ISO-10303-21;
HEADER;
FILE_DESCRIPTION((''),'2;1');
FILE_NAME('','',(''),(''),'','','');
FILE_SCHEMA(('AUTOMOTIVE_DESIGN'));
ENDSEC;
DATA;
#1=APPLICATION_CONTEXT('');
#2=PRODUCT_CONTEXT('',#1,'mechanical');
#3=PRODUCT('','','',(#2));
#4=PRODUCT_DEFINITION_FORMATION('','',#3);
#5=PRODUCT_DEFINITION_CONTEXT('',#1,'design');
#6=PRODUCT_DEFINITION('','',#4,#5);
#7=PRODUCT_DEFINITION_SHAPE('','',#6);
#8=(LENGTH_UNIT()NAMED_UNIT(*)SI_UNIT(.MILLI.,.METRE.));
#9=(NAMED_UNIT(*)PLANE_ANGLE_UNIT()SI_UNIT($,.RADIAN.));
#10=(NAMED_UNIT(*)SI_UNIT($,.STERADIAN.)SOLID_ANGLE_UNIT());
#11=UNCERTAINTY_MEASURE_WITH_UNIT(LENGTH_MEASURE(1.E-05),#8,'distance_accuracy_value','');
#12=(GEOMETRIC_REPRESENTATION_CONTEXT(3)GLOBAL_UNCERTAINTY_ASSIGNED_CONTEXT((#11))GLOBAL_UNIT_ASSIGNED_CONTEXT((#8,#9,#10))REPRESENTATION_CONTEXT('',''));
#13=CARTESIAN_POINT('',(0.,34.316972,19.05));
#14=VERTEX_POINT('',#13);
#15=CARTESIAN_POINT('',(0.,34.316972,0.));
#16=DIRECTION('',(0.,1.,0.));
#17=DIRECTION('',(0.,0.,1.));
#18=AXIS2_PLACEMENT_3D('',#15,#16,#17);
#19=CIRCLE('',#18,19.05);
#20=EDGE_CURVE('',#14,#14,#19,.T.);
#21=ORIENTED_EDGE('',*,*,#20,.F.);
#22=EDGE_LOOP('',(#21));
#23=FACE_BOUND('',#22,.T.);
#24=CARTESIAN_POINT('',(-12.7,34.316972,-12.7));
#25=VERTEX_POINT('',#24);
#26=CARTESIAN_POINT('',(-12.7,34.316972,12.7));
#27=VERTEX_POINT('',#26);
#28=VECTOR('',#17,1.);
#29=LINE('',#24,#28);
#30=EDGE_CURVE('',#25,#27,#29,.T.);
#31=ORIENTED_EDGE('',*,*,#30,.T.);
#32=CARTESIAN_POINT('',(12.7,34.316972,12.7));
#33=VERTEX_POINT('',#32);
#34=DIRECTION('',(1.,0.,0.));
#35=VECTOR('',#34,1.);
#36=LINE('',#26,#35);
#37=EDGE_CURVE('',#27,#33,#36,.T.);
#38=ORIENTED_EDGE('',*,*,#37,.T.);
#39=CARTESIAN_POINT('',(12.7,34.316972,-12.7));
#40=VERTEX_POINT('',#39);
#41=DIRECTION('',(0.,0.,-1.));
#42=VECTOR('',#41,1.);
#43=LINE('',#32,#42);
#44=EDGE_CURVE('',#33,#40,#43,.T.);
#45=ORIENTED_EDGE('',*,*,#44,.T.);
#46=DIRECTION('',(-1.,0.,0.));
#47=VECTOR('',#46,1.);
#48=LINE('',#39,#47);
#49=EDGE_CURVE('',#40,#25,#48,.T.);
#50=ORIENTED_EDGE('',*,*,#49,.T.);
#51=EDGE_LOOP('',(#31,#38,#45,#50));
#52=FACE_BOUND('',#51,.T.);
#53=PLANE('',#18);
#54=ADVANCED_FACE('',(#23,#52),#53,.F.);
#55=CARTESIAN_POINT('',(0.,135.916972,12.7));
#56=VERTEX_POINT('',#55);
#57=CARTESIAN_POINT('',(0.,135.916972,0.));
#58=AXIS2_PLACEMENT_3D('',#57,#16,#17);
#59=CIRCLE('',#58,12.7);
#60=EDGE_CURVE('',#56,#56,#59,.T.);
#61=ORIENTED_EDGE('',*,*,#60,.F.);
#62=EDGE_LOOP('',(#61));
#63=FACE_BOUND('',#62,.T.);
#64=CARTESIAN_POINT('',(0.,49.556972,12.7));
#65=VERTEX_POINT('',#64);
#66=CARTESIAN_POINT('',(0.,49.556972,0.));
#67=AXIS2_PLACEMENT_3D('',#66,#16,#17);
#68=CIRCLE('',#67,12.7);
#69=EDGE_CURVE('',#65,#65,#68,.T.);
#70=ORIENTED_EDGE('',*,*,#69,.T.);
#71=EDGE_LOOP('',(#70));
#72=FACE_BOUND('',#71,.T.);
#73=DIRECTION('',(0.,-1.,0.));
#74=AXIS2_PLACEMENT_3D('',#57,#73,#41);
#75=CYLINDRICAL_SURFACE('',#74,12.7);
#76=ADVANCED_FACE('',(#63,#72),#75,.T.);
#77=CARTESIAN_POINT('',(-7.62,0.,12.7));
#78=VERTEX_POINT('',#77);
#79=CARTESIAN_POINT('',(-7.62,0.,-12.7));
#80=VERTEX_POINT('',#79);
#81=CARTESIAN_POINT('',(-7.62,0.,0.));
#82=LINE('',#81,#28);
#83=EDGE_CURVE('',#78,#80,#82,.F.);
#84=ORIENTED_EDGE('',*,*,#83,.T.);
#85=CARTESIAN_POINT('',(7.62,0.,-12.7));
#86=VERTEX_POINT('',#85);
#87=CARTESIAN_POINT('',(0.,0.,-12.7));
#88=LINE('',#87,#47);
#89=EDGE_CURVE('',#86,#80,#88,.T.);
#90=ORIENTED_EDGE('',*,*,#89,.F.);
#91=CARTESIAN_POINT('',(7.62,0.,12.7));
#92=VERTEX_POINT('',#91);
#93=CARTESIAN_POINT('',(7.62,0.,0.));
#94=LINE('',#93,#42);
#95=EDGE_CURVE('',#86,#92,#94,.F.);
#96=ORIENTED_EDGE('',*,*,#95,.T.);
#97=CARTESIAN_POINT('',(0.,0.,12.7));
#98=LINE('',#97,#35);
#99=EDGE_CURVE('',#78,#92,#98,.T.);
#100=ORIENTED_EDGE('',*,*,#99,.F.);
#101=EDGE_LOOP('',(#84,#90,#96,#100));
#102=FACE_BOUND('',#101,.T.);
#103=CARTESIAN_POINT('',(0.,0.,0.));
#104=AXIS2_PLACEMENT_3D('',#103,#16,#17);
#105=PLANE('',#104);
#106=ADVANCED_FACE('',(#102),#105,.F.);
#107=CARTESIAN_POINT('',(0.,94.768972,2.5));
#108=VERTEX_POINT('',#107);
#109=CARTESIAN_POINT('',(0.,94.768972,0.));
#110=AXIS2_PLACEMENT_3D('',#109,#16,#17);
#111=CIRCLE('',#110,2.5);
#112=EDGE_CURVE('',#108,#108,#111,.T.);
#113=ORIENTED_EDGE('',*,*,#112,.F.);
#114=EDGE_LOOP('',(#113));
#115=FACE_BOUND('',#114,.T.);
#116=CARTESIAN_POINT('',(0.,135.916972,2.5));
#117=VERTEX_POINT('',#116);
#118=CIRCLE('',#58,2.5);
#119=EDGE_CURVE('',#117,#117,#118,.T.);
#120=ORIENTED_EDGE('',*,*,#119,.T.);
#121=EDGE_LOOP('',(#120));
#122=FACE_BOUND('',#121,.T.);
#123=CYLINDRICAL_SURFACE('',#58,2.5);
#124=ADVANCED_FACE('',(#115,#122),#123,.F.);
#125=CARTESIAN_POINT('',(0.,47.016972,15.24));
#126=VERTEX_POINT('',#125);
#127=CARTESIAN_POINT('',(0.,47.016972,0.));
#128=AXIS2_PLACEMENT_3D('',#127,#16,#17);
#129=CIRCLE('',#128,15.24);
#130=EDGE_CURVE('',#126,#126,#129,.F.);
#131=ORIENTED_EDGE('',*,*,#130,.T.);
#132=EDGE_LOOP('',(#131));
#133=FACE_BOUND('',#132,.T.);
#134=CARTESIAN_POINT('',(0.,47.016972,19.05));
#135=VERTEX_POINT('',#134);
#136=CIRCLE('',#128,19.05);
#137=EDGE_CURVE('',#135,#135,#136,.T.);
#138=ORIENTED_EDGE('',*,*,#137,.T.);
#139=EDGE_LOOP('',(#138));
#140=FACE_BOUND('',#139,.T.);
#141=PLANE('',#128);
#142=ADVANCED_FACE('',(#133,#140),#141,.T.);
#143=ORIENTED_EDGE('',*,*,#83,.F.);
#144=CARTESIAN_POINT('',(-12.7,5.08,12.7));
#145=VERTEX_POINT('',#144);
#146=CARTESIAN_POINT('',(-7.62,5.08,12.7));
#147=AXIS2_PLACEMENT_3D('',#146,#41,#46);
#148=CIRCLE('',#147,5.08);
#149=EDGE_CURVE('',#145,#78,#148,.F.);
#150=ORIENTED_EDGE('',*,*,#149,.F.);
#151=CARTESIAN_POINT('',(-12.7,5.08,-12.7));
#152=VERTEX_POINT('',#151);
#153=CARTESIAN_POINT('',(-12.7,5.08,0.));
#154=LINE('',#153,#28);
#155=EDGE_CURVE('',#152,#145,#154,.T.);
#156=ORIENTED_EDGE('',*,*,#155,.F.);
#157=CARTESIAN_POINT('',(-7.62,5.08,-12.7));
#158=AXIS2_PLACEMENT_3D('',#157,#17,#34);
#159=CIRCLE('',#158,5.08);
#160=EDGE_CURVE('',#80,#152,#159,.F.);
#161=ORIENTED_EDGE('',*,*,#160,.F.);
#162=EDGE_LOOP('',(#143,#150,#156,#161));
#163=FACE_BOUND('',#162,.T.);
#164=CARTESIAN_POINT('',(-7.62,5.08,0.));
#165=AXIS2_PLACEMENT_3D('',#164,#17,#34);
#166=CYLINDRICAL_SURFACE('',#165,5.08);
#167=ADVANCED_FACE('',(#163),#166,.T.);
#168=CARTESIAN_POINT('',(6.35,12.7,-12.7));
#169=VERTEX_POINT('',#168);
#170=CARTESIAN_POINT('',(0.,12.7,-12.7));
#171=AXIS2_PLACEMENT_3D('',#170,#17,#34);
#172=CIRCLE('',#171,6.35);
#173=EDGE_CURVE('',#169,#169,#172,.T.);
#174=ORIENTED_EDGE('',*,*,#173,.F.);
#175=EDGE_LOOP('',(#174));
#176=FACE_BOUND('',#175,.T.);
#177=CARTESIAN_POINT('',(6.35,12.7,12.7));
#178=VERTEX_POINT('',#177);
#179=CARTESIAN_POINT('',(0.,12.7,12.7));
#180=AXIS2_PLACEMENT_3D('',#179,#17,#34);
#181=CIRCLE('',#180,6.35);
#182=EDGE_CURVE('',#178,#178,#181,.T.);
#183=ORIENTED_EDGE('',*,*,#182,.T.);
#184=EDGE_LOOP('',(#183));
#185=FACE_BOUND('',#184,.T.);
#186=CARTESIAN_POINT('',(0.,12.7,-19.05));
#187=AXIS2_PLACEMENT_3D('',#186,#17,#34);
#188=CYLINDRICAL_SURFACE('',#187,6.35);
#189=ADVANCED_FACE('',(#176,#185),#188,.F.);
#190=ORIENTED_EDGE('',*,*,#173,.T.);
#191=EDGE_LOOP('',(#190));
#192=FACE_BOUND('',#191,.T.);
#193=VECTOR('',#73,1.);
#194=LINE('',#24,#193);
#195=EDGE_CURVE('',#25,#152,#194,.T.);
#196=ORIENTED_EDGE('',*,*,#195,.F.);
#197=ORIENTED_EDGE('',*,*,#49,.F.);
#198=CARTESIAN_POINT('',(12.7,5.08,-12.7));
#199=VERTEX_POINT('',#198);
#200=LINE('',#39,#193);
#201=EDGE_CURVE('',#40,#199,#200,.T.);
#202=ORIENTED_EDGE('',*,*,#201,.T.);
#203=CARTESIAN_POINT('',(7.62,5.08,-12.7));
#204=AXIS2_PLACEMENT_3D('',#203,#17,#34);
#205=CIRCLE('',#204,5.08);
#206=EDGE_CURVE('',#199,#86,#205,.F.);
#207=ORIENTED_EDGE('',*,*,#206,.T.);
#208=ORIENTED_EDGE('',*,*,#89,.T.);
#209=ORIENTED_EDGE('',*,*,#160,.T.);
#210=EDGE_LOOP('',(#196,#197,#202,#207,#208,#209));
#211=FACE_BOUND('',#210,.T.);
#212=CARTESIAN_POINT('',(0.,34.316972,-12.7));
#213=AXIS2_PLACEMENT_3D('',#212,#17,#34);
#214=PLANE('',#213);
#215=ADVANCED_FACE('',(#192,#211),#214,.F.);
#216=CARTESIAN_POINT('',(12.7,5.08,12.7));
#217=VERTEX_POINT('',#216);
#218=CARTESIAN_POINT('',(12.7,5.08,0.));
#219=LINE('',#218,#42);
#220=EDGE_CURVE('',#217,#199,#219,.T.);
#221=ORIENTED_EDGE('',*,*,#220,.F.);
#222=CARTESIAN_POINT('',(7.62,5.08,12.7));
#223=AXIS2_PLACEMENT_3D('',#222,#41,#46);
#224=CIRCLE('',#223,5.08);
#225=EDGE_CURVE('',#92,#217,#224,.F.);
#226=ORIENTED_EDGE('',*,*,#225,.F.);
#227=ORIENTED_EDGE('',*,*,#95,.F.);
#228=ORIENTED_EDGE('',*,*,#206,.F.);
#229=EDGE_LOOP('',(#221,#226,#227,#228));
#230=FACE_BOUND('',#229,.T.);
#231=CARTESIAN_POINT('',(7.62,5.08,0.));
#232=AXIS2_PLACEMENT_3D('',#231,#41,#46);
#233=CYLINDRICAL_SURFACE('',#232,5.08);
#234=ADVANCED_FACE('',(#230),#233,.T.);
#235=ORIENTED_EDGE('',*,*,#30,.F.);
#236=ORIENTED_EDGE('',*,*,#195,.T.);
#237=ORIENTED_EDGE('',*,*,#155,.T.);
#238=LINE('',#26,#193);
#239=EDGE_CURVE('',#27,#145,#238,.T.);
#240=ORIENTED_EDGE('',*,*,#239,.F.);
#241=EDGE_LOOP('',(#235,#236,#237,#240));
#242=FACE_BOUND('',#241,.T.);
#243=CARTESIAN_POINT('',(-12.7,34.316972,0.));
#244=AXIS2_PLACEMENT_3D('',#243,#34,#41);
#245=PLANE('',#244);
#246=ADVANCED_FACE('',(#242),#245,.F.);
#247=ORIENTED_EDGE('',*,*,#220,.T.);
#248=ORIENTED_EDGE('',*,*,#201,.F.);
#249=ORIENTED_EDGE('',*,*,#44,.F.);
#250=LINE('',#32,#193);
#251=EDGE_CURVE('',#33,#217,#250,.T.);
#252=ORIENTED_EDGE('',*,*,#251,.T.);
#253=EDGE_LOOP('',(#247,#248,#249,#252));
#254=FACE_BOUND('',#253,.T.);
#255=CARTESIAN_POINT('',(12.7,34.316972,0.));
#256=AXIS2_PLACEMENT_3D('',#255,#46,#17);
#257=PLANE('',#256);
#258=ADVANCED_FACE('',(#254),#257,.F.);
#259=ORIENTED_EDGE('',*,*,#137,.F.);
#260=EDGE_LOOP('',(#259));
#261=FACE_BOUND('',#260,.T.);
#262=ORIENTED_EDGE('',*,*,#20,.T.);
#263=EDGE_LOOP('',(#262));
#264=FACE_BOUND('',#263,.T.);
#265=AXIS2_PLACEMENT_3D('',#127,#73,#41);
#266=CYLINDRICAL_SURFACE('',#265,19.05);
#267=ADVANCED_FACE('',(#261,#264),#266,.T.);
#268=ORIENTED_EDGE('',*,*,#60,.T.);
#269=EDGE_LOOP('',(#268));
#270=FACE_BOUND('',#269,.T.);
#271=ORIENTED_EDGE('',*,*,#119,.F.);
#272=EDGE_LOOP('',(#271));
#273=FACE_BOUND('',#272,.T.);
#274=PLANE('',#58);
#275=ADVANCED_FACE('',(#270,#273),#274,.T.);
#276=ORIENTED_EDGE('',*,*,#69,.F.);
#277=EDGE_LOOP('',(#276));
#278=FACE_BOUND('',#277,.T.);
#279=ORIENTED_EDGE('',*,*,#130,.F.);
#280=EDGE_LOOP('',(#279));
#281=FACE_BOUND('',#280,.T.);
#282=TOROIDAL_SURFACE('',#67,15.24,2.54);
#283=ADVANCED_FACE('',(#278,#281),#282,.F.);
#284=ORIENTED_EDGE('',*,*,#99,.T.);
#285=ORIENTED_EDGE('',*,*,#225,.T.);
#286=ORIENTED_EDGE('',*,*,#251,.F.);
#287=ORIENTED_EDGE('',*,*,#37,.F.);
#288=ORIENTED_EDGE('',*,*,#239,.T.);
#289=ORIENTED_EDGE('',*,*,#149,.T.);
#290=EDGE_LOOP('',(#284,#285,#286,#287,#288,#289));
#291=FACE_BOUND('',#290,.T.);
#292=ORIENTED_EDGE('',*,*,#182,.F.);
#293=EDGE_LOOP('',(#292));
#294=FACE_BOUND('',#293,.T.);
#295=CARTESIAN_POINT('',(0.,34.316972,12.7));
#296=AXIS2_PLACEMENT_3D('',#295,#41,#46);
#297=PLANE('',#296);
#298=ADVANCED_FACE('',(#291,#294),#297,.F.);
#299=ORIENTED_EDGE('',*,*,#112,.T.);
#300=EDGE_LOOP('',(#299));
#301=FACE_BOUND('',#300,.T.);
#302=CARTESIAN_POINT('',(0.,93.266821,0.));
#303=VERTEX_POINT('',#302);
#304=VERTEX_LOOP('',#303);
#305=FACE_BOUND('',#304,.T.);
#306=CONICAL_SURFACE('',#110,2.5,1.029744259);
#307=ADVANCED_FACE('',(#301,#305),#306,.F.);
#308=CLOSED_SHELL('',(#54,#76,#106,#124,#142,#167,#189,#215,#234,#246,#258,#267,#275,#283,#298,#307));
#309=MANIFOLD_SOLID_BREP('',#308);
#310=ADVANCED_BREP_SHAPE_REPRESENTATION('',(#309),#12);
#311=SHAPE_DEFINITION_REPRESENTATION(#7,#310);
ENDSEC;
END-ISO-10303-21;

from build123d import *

# Parameters (mm, degrees)
BOSS_EXTRUDE1_DEPTH       = 34.31697226
SKETCH4_R                 = 19.05
BOSS_EXTRUDE2_DEPTH       = 12.7
SKETCH6_R                 = 12.7
BOSS_EXTRUDE3_DEPTH       = 88.9
SKETCH7_R                 = 6.35
CUT_EXTRUDE1_DEPTH        = 141.870111622
FILLET1_R                 = 5.08
FILLET2_R                 = 2.54
M6X1_0_TAPPED_HOLE1_D     = 5
M6X1_0_TAPPED_HOLE1_DEPTH = 41.148
M6X1_0_TAPPED_HOLE1_TIP   = 1.502151548


with BuildPart() as part:
    # Sketch3 → Boss-Extrude1 (new body)
    with BuildSketch(Plane(origin=(0, 0, 0), x_dir=(1, 0, 0), z_dir=(0, 1, 0))):
        Polygon((12.7, 0), (12.7, 12.7), (0, 12.7), (-12.7, 12.7), (-12.7, 0), (-12.7, -12.7), (0, -12.7), (12.7, -12.7), align=None)
    extrude(amount=BOSS_EXTRUDE1_DEPTH)

    # Sketch4 → Boss-Extrude2 (add)
    with BuildSketch(Plane(origin=(0, 34.31697226, 0), x_dir=(1, 0, 0), z_dir=(0, 1, 0))):
        with Locations(Location((0, 0, 0), (0, 0, 270))):
            Circle(SKETCH4_R)
    extrude(amount=BOSS_EXTRUDE2_DEPTH)

    # Sketch6 → Boss-Extrude3 (add)
    with BuildSketch(Plane(origin=(0, 47.01697226, 0), x_dir=(1, 0, 0), z_dir=(0, 1, 0))):
        with Locations(Location((0, 0, 0), (0, 0, 270))):
            Circle(SKETCH6_R)
    extrude(amount=BOSS_EXTRUDE3_DEPTH)

    # Sketch7 → Cut-Extrude1 (cut, through all)
    with BuildSketch(Plane.XY.offset(12.7)):
        with Locations((0, 12.7)):
            Circle(SKETCH7_R)
    extrude(amount=-CUT_EXTRUDE1_DEPTH, mode=Mode.SUBTRACT)

    # Fillet1
    fillet1_edges = [part.edges().sort_by_distance(p)[0] for p in [
        (12.7, 0, 0),
        (-12.7, 0, 0),
    ]]
    fillet(fillet1_edges, radius=FILLET1_R)

    # Fillet2
    fillet2_edges = [part.edges().sort_by_distance(p)[0] for p in [
        (0, 47.01697226, -12.7),
    ]]
    fillet(fillet2_edges, radius=FILLET2_R)

    # M6x1.0 Tapped Hole1
    with Locations(Plane(origin=(0, 135.91697226, 0), x_dir=(1, 0, 0), z_dir=(0, 1, 0))):
        with Locations((0, 0)):
            Hole(M6X1_0_TAPPED_HOLE1_D / 2, depth=M6X1_0_TAPPED_HOLE1_DEPTH)
            with Locations((0, 0, -(M6X1_0_TAPPED_HOLE1_DEPTH + M6X1_0_TAPPED_HOLE1_TIP / 2))):  # 118° drill point
                Cone(0, M6X1_0_TAPPED_HOLE1_D / 2, M6X1_0_TAPPED_HOLE1_TIP, mode=Mode.SUBTRACT)


solid = part.part
